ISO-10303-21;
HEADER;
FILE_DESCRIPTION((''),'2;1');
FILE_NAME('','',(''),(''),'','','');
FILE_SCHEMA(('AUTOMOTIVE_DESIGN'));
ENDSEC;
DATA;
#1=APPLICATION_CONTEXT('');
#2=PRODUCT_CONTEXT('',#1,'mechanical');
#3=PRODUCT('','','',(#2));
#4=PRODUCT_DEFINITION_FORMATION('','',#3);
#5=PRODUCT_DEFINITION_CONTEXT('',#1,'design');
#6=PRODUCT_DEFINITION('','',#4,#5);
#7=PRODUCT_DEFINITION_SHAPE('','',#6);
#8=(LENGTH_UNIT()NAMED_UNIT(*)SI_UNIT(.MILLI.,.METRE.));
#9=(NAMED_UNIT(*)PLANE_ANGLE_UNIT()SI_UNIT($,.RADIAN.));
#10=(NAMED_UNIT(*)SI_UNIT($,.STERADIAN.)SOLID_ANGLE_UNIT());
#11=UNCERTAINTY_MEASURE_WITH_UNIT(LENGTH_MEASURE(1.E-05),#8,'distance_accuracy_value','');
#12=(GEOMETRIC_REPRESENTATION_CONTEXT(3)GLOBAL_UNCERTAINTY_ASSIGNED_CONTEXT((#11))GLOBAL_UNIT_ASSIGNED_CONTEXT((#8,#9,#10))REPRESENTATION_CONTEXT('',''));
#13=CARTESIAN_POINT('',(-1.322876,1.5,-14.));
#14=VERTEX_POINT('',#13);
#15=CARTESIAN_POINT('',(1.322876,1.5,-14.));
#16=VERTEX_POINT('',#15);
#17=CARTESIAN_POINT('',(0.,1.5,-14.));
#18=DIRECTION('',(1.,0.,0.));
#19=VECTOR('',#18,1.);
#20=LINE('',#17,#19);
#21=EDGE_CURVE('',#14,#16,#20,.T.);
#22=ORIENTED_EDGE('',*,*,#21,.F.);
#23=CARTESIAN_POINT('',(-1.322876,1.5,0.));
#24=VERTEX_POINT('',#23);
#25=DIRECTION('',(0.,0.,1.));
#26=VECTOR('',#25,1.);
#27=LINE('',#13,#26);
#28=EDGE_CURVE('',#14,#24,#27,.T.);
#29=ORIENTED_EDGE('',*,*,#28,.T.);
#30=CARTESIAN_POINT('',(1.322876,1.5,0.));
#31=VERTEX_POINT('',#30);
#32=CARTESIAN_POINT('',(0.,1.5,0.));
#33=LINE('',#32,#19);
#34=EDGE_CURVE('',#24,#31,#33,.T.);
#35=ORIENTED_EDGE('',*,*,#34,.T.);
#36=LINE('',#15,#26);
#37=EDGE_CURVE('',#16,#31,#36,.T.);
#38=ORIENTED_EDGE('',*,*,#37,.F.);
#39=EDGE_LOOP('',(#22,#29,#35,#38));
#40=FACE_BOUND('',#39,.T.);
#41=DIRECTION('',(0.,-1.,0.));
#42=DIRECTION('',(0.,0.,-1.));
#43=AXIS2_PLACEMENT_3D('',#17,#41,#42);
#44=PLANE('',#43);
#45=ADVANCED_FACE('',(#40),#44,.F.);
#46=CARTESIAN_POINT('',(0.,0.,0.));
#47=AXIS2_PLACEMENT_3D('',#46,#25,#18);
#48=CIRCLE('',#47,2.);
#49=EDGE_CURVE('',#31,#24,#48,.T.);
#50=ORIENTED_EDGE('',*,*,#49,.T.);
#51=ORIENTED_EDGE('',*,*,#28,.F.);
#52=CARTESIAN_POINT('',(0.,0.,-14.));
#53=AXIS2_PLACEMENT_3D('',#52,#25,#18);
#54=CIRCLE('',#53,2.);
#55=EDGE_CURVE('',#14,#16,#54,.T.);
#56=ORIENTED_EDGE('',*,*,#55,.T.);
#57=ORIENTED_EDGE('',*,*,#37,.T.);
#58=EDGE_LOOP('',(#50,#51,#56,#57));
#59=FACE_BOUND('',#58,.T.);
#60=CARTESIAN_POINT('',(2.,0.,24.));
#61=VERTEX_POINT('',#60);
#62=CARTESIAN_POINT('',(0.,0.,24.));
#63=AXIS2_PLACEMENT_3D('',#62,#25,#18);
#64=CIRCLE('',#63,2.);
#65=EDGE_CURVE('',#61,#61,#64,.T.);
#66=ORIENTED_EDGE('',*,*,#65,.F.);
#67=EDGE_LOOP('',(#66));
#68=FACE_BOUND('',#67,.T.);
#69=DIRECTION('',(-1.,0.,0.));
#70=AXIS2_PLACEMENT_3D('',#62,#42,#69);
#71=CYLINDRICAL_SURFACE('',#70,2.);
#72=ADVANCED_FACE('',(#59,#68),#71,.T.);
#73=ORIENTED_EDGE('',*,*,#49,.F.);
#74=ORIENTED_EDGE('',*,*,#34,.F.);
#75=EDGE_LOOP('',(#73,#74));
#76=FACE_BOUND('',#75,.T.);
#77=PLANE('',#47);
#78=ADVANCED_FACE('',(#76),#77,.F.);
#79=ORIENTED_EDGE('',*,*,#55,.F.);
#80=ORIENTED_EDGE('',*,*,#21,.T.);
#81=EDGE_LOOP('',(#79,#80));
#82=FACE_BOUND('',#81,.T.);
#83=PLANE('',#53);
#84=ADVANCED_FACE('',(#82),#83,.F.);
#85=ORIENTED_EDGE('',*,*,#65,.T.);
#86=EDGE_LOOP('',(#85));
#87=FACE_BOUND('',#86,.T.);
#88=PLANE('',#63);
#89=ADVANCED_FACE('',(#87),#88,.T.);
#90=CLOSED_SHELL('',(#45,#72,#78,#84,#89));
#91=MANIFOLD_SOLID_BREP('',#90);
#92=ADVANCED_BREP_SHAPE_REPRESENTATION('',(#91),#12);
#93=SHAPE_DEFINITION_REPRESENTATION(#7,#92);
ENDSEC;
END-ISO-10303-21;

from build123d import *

# Parameters (mm, degrees)
SKETCH1_R           = 2
BOSS_EXTRUDE2_DEPTH = 24
BOSS_EXTRUDE3_START = -14
BOSS_EXTRUDE3_DEPTH = 14


with BuildPart() as part:
    # Sketch1 → Boss-Extrude2 (new body)
    with BuildSketch(Plane.XY):
        Circle(SKETCH1_R)
    extrude(amount=BOSS_EXTRUDE2_DEPTH)

    # Sketch1<4> → Boss-Extrude3 (add)
    with BuildSketch(Plane.XY.offset(BOSS_EXTRUDE3_START)):
        with BuildLine():
            Line((1.322875656, 1.5), (-1.322875656, 1.5))
            ThreePointArc((-1.322875656, 1.5), (-0.822875656, -1.822875656), (2, 0))
            ThreePointArc((2, 0), (1.822875656, 0.822875656), (1.322875656, 1.5))
        make_face()
    extrude(amount=BOSS_EXTRUDE3_DEPTH)


solid = part.part
